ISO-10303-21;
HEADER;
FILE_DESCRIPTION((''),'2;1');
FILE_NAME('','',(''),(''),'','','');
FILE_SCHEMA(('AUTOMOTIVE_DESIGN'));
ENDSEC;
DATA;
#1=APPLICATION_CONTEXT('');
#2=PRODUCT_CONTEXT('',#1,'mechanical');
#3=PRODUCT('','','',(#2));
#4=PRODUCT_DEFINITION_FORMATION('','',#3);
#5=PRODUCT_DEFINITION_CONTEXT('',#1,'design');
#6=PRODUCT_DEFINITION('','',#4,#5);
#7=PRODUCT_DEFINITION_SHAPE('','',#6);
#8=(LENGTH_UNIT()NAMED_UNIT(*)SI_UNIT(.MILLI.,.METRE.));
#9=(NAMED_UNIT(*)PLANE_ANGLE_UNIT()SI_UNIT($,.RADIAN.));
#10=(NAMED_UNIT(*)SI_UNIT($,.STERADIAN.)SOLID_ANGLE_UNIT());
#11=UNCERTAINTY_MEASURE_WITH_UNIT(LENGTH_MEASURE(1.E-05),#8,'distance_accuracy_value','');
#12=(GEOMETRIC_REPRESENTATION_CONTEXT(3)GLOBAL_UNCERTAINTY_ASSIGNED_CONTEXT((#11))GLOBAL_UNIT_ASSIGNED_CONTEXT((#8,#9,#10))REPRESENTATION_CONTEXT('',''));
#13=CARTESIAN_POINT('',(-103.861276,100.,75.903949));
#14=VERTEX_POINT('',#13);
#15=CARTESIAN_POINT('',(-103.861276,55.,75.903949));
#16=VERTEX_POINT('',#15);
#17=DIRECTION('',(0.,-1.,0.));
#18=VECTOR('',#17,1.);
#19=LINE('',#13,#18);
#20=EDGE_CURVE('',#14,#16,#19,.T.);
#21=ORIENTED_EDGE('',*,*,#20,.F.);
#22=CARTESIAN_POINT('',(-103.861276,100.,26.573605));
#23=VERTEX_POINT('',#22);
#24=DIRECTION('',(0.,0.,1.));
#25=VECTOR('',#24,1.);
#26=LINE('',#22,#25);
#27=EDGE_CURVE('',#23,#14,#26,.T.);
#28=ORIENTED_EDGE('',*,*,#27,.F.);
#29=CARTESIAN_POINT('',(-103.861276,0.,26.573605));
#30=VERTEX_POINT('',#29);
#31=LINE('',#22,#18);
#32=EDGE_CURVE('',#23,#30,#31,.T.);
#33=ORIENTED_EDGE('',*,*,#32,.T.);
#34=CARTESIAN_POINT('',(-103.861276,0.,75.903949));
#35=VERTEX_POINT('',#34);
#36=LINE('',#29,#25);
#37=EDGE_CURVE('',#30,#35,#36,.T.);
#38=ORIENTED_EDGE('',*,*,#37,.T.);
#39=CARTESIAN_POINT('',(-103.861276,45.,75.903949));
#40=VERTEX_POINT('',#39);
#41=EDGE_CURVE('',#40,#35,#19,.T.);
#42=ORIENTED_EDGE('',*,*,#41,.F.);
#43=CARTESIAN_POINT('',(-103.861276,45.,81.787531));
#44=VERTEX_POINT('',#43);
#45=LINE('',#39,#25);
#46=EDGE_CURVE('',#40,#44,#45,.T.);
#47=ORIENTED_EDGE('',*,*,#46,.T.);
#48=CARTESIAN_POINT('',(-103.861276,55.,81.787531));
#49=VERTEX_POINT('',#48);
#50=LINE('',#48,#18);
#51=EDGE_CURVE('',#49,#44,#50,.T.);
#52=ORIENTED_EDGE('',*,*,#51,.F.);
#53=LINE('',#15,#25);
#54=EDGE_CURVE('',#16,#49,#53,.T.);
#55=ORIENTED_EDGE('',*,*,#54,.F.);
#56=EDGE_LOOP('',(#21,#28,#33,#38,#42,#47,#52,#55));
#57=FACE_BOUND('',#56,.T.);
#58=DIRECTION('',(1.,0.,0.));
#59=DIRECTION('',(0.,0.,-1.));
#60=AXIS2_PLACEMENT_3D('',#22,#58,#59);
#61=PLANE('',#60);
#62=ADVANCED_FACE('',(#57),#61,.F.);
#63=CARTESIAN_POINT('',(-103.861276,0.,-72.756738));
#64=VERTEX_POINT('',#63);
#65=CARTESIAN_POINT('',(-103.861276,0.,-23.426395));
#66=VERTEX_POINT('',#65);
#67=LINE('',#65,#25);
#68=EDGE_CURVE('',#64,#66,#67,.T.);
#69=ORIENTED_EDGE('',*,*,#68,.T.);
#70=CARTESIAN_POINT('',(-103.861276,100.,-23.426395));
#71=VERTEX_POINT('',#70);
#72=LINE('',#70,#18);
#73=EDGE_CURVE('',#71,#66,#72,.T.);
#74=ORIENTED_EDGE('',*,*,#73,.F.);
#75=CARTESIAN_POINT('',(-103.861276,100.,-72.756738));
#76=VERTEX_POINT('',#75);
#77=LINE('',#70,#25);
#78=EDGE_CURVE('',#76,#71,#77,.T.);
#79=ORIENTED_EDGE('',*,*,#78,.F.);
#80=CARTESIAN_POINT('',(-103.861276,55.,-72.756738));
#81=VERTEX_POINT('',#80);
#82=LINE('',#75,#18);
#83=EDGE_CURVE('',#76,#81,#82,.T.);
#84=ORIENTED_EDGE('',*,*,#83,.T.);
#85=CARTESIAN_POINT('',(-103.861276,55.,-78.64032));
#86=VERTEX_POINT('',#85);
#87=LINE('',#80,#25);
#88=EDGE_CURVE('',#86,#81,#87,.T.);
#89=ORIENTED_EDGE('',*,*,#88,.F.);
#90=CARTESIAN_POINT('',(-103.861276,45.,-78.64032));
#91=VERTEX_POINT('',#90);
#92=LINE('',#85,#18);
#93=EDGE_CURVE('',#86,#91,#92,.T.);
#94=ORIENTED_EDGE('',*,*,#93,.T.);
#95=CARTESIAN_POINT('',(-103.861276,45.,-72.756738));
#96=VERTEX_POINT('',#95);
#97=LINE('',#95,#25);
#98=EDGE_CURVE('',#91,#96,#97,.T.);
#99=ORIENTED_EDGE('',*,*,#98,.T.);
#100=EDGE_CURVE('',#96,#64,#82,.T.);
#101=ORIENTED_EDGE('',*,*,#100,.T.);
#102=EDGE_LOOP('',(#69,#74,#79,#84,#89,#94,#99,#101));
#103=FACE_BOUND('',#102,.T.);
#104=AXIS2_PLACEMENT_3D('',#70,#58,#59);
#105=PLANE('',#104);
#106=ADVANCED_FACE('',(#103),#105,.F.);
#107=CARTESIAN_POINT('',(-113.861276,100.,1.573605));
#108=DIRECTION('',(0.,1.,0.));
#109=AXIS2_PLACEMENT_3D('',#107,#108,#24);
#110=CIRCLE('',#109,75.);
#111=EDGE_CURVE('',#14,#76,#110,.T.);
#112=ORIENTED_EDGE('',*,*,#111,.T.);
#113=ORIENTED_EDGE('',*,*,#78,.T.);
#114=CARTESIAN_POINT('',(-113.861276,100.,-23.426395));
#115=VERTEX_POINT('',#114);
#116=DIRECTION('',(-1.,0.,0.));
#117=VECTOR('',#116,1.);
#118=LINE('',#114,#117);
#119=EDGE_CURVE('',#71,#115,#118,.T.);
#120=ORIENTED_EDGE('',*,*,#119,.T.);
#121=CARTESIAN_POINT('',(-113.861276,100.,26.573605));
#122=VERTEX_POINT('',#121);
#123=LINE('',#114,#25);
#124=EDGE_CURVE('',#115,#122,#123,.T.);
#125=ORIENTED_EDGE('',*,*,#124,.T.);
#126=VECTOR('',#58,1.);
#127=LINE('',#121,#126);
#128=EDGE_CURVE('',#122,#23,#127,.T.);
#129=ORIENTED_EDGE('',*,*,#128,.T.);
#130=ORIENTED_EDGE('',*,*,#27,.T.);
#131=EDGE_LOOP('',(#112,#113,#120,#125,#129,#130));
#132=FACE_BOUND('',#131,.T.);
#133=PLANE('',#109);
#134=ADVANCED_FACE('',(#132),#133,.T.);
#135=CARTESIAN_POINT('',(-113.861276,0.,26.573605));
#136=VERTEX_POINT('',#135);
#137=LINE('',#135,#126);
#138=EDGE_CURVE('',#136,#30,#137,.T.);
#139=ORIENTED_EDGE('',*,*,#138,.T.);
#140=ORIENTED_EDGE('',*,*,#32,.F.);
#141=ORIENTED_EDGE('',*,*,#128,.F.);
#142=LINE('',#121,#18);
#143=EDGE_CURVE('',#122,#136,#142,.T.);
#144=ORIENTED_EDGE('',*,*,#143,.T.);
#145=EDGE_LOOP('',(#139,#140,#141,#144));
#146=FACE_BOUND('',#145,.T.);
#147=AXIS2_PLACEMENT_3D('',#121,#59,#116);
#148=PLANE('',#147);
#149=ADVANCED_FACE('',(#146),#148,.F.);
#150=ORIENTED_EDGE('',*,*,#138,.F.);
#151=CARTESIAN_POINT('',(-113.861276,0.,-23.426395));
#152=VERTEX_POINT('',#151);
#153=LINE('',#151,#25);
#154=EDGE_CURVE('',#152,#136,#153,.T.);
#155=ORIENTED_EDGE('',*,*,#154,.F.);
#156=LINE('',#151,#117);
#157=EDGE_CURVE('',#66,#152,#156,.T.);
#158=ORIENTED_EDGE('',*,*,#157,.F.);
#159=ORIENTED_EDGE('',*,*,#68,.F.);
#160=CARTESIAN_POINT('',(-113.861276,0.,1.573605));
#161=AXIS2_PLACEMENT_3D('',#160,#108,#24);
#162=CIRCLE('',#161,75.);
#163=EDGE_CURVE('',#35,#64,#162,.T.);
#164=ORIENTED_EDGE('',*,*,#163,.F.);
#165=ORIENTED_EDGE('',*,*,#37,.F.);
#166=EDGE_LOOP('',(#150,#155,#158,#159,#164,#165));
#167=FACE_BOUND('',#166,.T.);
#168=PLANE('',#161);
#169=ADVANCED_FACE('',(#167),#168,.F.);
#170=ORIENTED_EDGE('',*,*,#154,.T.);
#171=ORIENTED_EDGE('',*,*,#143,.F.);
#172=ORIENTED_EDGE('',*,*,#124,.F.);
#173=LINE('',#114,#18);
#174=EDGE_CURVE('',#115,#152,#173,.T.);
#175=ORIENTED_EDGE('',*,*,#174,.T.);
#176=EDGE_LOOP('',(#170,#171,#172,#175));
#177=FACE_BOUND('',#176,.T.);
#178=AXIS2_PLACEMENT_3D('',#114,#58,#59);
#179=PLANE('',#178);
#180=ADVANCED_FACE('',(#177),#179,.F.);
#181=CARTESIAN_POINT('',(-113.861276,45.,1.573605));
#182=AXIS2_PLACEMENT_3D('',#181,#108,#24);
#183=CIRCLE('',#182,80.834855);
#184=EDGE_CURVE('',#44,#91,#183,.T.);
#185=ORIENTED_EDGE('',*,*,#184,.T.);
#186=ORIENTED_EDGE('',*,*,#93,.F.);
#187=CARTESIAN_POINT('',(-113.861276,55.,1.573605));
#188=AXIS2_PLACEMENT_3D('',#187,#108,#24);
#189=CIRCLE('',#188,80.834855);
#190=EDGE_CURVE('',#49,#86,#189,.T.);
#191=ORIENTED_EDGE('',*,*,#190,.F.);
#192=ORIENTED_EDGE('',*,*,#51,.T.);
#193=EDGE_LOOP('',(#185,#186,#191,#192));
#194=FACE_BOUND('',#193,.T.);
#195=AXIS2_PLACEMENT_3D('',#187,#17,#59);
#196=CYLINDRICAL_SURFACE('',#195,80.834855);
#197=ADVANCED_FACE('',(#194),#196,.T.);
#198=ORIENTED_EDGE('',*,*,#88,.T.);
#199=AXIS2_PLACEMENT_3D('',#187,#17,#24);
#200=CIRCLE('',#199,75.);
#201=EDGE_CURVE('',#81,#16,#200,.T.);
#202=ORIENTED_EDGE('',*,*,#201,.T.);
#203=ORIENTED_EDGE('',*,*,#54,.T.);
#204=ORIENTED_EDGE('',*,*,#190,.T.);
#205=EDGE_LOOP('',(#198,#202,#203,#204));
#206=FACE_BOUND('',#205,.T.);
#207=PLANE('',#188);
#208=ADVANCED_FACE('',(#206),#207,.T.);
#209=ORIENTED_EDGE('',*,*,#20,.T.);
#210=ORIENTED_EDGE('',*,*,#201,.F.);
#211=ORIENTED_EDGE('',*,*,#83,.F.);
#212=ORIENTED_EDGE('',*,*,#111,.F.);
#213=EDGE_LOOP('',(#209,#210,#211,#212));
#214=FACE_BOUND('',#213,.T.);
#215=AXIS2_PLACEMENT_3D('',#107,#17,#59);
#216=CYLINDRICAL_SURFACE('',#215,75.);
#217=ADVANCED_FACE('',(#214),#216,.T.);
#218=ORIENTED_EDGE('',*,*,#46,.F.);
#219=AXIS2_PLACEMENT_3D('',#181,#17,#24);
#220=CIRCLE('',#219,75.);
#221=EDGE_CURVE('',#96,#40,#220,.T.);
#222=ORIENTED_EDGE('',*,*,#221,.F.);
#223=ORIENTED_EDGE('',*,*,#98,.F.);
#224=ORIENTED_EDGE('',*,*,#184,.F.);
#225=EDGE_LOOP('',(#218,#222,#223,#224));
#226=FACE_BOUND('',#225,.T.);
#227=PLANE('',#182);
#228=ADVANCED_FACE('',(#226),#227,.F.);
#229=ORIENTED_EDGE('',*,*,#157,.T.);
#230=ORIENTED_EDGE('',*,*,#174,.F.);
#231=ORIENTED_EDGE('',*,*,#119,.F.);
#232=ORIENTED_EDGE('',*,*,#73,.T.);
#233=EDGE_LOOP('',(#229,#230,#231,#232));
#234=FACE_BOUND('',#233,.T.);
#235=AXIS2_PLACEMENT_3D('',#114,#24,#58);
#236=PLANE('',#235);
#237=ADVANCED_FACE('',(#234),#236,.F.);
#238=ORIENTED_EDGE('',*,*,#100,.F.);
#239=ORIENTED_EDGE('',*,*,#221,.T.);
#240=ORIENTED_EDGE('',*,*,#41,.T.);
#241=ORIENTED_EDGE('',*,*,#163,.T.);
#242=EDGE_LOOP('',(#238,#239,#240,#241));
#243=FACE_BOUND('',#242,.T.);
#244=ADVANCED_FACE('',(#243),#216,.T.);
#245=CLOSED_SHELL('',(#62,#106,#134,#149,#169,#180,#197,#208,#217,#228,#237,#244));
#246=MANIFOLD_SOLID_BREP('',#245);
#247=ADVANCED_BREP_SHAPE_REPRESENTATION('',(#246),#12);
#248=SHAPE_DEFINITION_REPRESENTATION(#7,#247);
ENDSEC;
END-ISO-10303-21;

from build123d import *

# Parameters (mm, degrees)
BOSS_EXTRUDE1_DEPTH = 100
BOSS_EXTRUDE2_DEPTH = 5


with BuildPart() as part:
    # Sketch1 → Boss-Extrude1 (new body)
    with BuildSketch(Plane(origin=(0, 0, 0), x_dir=(1, 0, 0), z_dir=(0, 1, 0))):
        with BuildLine():
            Line((-113.861275844, 23.426394533), (-103.861275844, 23.426394533))
            Line((-103.861275844, 23.426394533), (-103.861275844, 72.756738269))
            ThreePointArc((-103.861275844, 72.756738269), (-38.861275844, -1.573605467), (-103.861275844, -75.903949204))
            Line((-103.861275844, -75.903949204), (-103.861275844, -26.573605467))
            Line((-103.861275844, -26.573605467), (-113.861275844, -26.573605467))
            Line((-113.861275844, -26.573605467), (-113.861275844, 23.426394533))
        make_face()
    extrude(amount=BOSS_EXTRUDE1_DEPTH)

    # Sketch2 → Boss-Extrude2 (add, symmetric)
    with BuildSketch(Plane(origin=(0, 50, 0), x_dir=(1, 0, 0), z_dir=(0, 1, 0))):
        with BuildLine():
            Line((-103.861275844, -75.903949204), (-103.861275844, -81.787530662))
            ThreePointArc((-103.861275844, -81.787530662), (-33.026420768, -1.573605467), (-103.861275844, 78.640319727))
            Line((-103.861275844, 78.640319727), (-103.861275844, 72.756738269))
            ThreePointArc((-103.861275844, 72.756738269), (-38.861275844, -1.573605467), (-103.861275844, -75.903949204))
        make_face()
    extrude(amount=BOSS_EXTRUDE2_DEPTH, both=True)


solid = part.part
